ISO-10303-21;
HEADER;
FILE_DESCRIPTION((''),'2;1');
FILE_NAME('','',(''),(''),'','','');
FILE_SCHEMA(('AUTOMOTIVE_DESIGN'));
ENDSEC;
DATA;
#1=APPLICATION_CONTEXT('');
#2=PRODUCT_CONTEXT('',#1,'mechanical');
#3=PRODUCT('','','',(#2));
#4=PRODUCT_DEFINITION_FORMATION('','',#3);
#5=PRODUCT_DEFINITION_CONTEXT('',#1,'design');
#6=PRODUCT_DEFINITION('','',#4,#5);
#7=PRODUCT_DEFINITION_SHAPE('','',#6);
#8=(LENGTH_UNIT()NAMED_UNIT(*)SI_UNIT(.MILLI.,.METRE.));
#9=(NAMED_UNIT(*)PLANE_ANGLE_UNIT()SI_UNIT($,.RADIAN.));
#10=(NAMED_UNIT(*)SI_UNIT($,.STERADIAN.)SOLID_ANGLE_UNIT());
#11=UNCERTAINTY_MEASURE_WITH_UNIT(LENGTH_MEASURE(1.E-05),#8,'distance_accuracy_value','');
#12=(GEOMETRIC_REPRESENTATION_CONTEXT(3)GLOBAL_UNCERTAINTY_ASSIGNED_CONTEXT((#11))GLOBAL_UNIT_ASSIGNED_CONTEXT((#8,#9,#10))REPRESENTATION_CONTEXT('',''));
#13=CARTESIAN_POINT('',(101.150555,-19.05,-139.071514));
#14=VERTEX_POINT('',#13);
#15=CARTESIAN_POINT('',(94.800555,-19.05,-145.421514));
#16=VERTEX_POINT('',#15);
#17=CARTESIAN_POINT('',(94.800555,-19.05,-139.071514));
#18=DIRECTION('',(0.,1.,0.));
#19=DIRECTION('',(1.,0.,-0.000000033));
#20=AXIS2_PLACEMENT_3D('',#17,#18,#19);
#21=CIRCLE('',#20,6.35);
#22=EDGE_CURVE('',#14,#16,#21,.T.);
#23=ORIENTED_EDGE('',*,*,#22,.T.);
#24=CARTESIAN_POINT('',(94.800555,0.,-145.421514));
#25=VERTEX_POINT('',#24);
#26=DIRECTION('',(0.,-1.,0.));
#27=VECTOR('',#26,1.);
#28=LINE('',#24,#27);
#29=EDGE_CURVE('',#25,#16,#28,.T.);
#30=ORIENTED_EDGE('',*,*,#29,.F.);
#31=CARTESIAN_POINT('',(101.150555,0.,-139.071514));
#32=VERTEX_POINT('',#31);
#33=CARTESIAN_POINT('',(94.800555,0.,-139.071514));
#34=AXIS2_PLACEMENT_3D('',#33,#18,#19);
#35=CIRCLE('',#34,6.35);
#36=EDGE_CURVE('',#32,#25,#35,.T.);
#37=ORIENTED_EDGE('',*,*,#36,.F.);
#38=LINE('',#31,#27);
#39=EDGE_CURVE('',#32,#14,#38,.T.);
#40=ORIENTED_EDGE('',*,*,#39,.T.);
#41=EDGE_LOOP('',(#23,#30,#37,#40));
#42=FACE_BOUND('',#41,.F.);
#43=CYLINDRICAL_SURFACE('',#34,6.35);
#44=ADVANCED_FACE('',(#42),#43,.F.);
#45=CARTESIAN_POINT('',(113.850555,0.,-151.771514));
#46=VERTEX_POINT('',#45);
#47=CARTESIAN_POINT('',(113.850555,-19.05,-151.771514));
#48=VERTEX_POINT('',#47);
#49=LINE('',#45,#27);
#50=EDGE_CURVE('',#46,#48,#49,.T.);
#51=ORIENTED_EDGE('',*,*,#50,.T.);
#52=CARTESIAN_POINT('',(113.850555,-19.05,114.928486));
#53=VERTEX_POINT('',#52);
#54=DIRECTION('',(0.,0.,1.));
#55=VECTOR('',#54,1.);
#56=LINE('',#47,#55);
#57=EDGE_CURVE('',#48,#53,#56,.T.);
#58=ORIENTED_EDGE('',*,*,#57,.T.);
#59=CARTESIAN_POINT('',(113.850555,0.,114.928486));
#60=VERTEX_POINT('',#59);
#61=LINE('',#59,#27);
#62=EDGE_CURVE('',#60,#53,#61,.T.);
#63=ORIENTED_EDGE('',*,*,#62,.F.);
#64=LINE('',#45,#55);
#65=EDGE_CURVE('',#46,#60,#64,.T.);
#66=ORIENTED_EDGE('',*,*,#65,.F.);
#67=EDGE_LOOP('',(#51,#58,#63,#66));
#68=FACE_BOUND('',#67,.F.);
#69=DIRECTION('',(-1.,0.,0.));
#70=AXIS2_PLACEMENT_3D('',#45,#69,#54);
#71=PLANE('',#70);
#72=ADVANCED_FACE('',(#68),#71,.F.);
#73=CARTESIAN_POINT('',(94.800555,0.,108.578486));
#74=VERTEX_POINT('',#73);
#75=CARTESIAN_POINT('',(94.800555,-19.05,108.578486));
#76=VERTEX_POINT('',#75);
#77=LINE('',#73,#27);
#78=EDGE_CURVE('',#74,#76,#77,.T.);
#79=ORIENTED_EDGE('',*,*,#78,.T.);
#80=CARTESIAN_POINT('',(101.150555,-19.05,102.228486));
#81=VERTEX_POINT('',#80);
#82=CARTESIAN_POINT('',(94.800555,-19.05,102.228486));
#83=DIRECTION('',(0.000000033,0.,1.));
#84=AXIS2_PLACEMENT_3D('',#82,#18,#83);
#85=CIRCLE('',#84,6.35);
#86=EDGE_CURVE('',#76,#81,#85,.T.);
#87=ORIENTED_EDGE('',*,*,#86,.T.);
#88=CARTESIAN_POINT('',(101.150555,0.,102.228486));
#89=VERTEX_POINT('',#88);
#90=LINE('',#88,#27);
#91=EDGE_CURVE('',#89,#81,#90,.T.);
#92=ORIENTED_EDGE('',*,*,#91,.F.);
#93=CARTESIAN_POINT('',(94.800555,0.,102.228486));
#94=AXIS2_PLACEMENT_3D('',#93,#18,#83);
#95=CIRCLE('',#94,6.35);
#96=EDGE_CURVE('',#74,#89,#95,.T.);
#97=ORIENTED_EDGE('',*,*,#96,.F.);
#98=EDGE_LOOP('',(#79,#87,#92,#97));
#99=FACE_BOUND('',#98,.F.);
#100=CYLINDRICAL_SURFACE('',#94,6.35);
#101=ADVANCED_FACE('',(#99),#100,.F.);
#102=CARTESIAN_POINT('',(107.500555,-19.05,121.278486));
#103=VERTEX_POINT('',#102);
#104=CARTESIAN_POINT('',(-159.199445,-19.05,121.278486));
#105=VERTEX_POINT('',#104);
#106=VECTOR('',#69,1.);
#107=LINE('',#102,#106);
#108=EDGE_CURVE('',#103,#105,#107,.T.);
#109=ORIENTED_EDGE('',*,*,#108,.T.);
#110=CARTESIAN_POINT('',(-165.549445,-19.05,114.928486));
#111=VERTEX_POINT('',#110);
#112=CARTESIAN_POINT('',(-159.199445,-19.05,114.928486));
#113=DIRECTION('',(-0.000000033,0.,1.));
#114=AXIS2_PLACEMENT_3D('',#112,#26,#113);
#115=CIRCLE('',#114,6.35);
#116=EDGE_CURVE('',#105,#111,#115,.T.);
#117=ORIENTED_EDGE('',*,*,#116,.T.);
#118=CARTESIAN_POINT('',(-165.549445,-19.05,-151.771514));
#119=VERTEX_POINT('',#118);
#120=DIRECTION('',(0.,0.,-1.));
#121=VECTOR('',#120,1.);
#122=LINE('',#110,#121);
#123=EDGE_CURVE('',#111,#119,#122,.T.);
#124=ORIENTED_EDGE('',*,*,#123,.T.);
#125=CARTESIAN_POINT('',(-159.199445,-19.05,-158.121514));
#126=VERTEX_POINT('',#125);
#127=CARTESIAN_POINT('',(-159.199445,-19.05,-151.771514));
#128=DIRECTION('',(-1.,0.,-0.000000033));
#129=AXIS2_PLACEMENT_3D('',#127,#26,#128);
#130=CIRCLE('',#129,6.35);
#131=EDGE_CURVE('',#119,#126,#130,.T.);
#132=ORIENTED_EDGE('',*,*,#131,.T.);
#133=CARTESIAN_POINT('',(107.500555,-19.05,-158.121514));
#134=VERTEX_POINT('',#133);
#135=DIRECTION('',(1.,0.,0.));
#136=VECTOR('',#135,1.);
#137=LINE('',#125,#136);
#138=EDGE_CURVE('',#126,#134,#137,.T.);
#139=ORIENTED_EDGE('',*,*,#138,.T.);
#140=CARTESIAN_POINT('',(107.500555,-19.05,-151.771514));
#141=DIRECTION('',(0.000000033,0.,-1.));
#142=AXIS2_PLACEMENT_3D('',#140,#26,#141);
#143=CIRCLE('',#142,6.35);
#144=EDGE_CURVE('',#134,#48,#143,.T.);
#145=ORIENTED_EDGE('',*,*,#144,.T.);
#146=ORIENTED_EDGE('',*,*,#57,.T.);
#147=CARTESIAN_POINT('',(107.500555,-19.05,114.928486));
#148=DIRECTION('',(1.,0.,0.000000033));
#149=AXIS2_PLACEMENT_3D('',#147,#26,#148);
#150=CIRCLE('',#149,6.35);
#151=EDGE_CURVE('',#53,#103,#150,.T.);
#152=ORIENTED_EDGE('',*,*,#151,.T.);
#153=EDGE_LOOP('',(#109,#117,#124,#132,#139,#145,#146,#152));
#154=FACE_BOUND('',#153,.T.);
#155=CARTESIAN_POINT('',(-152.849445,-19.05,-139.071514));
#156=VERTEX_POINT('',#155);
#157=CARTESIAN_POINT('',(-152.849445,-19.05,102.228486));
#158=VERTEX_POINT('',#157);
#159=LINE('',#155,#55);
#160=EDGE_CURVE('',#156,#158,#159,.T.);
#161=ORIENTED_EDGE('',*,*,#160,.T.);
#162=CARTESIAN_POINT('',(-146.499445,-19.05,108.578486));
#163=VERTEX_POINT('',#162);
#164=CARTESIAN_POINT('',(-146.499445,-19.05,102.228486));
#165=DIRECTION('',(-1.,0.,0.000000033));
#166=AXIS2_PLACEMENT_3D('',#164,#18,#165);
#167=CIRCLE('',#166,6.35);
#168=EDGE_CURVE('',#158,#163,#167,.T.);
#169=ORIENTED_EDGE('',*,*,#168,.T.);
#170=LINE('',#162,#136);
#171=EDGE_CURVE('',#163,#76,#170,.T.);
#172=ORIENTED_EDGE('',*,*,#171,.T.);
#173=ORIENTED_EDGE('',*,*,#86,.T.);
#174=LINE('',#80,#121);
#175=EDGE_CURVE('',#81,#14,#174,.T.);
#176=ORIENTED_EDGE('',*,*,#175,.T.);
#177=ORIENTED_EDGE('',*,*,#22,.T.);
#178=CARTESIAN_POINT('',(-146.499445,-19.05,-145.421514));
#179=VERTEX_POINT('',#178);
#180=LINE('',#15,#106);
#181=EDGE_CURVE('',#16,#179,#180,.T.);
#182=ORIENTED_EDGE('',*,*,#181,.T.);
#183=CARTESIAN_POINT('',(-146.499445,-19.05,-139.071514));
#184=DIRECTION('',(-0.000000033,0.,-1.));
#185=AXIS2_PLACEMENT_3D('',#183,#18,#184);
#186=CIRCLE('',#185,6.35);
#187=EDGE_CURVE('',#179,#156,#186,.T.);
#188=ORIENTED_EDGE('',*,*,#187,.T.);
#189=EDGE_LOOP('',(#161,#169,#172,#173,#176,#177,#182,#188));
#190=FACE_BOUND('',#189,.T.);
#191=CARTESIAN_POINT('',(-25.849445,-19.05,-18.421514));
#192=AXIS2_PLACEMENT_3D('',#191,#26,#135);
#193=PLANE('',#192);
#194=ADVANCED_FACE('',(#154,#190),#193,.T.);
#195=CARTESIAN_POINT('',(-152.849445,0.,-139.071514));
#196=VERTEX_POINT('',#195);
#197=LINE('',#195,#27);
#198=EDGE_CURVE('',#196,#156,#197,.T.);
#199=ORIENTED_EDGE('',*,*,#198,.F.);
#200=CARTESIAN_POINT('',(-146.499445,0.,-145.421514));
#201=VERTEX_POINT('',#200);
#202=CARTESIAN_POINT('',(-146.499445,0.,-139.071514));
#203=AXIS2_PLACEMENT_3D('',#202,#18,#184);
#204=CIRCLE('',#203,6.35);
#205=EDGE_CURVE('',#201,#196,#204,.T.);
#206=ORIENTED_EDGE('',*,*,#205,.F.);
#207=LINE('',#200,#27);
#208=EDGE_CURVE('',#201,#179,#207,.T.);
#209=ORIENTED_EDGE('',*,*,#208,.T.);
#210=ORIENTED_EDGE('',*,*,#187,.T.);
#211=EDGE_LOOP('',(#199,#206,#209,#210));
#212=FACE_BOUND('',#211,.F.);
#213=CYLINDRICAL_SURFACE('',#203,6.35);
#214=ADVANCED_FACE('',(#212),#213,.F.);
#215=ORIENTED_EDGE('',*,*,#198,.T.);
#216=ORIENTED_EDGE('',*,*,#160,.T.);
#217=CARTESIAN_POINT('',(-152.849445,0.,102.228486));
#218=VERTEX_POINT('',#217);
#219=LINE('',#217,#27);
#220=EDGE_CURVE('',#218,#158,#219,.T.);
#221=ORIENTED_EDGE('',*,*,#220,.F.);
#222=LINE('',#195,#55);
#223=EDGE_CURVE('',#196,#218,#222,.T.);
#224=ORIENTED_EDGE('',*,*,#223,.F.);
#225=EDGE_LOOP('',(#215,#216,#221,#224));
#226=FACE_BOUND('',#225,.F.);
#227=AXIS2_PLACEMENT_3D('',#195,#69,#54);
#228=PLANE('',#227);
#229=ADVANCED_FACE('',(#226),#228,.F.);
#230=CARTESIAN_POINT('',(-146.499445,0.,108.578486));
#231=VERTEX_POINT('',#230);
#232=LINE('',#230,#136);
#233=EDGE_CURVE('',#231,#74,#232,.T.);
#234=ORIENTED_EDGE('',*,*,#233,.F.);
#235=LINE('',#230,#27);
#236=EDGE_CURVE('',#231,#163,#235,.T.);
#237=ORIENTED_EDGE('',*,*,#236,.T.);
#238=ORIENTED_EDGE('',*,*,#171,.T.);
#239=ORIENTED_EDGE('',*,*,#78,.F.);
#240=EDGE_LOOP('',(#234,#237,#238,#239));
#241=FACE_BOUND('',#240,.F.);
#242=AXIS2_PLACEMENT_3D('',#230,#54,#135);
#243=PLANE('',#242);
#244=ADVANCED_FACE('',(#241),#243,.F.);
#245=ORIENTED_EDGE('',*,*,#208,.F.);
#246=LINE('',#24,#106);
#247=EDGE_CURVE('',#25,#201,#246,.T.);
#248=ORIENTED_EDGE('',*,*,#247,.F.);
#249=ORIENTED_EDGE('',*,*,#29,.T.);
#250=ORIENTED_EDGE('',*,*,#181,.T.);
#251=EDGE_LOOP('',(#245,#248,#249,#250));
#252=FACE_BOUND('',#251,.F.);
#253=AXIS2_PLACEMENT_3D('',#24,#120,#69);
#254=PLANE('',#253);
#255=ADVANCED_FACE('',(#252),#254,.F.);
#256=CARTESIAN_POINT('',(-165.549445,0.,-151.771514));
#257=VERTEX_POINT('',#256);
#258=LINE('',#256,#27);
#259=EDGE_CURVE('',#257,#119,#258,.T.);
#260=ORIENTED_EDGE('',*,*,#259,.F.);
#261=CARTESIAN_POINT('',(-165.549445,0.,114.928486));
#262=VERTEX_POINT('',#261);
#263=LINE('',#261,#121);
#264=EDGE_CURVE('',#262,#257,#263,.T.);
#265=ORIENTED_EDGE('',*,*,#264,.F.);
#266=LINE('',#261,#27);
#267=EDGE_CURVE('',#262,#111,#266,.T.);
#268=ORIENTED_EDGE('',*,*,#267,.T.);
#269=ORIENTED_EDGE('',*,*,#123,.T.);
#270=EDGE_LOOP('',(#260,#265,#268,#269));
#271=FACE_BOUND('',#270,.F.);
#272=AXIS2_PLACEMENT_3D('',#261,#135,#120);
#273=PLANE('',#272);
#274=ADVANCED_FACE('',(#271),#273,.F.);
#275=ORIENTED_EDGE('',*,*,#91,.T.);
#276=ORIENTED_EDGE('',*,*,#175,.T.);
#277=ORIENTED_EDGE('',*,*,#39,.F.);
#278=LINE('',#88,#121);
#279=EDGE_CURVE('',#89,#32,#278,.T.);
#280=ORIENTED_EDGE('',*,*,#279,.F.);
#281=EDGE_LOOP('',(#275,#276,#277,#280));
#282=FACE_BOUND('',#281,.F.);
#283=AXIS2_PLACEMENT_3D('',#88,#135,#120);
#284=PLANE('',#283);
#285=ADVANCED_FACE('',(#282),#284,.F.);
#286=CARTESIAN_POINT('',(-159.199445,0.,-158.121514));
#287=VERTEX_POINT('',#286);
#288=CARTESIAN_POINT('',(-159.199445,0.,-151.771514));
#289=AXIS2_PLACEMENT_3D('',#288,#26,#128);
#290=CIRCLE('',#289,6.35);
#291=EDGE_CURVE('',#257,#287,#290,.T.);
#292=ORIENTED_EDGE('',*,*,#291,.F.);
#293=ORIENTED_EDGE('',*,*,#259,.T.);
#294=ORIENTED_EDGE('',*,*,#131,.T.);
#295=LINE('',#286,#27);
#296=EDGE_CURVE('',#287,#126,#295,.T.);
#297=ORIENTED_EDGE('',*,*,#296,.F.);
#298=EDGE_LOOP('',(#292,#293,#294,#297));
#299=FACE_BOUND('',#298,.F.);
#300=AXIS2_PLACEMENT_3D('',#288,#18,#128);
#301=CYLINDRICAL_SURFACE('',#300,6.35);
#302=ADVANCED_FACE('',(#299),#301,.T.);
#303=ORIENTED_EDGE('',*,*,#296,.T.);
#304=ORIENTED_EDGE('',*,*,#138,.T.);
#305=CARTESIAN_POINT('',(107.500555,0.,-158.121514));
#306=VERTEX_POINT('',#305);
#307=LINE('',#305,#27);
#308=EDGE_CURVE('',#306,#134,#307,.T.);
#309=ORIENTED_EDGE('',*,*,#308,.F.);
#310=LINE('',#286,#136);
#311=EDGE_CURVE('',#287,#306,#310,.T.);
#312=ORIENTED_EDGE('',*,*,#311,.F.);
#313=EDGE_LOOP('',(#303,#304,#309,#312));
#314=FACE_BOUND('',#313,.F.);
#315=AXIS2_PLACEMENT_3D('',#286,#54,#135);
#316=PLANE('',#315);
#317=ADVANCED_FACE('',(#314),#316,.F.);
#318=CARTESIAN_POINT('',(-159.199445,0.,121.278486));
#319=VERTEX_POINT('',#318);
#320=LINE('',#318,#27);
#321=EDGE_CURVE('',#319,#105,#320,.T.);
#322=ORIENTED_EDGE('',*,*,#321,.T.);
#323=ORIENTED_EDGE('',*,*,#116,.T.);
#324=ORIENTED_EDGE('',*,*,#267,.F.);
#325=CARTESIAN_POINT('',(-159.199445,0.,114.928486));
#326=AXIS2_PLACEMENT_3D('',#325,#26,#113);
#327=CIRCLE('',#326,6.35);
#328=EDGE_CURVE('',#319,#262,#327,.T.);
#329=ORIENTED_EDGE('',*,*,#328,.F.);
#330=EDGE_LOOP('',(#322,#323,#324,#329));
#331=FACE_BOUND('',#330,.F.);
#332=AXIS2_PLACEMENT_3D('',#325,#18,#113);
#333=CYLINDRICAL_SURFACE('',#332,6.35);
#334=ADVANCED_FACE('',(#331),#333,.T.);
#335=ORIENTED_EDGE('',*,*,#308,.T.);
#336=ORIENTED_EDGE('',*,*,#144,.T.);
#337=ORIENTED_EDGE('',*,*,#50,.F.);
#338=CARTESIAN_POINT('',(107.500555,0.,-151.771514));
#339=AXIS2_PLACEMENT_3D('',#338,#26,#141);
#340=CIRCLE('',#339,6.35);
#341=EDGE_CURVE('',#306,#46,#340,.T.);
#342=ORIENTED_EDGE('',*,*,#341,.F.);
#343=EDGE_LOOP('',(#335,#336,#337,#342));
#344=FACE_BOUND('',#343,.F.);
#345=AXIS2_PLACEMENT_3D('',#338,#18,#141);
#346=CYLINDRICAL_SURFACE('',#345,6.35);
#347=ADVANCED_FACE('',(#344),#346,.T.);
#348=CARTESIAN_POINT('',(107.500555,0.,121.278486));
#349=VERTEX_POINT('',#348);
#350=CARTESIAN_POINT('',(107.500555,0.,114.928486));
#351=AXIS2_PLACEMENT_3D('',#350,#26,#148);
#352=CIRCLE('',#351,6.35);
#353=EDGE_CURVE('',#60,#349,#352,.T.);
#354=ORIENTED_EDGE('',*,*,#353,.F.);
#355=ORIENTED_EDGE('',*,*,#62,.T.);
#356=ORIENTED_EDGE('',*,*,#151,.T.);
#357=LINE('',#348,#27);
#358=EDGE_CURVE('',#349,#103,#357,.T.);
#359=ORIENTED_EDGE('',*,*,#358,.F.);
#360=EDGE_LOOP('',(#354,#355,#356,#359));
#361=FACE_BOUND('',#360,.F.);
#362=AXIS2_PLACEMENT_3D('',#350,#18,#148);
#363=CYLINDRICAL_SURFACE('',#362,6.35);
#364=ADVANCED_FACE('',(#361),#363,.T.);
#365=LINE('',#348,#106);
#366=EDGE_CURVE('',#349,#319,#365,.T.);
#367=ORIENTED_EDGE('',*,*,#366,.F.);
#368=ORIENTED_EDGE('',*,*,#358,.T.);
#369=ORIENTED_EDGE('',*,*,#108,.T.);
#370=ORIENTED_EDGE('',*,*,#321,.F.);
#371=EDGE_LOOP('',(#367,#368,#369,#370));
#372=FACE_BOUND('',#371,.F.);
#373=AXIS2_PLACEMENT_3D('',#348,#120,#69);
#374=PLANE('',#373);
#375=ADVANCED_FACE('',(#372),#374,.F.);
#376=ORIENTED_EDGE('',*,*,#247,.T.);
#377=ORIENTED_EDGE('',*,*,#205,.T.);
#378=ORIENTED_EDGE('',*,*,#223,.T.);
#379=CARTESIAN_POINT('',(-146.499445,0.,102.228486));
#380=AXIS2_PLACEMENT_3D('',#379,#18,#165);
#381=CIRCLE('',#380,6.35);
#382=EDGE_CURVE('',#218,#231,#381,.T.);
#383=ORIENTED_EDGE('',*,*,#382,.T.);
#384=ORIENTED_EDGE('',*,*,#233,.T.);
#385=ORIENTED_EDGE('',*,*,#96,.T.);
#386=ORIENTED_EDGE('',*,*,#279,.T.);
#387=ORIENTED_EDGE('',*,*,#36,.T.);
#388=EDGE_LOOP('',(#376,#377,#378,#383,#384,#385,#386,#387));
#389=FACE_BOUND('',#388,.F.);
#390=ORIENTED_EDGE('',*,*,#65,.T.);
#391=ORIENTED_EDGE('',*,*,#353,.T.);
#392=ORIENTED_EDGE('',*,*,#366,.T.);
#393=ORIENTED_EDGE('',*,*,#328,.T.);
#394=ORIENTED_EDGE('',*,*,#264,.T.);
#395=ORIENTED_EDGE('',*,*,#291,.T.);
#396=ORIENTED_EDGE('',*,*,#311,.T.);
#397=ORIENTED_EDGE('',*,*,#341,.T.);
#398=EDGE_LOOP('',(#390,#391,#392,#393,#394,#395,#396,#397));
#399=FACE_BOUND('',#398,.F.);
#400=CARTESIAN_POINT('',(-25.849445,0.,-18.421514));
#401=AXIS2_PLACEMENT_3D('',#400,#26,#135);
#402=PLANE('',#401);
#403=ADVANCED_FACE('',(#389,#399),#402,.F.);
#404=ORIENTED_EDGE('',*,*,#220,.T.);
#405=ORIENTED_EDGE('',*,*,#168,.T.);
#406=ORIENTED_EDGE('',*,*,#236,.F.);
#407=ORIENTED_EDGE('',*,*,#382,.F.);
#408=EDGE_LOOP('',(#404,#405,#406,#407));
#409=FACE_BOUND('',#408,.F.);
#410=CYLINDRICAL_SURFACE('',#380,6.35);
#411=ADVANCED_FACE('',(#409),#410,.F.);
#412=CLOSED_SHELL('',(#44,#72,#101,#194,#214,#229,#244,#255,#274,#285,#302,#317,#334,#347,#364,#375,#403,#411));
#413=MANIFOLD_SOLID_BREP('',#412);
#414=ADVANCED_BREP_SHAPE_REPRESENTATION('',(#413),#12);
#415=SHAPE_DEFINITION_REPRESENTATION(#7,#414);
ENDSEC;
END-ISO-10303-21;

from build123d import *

# Parameters (mm, degrees)
F1_DEPTH = 19.05


with BuildPart() as f1:
    # F0 (on Front) → F1 (new body)
    with BuildSketch(Plane.XZ):
        with BuildLine():
            Line((-159.199445, -158.121514), (107.500555, -158.121514))
            ThreePointArc((107.500555, -158.121514), (111.990683, -156.261642), (113.850555, -151.771514))
            Line((113.850555, -151.771514), (113.850555, 114.928486))
            ThreePointArc((113.850555, 114.928486), (111.990683, 119.418614), (107.500555, 121.278486))
            Line((107.500555, 121.278486), (-159.199445, 121.278486))
            ThreePointArc((-159.199445, 121.278486), (-163.689573, 119.418614), (-165.549445, 114.928486))
            Line((-165.549445, 114.928486), (-165.549445, -151.771514))
            ThreePointArc((-165.549445, -151.771514), (-163.689573, -156.261642), (-159.199445, -158.121514))
        make_face()
        with BuildLine():
            Line((-121.099445, -145.421514), (-146.499445, -145.421514))
            ThreePointArc((-146.499445, -145.421514), (-150.989573, -143.561642), (-152.849445, -139.071514))
            Line((-152.849445, -139.071514), (-152.849445, -113.671514))
            Line((-152.849445, -113.671514), (-152.849445, -81.921514))
            Line((-152.849445, -81.921514), (-152.849445, -50.171514))
            Line((-152.849445, -50.171514), (-152.849445, -18.421514))
            Line((-152.849445, -18.421514), (-152.849445, 13.328486))
            Line((-152.849445, 13.328486), (-152.849445, 45.078486))
            Line((-152.849445, 45.078486), (-152.849445, 76.828486))
            Line((-152.849445, 76.828486), (-152.849445, 102.228486))
            ThreePointArc((-152.849445, 102.228486), (-150.989573, 106.718614), (-146.499445, 108.578486))
            Line((-146.499445, 108.578486), (-121.099445, 108.578486))
            Line((-121.099445, 108.578486), (-89.349445, 108.578486))
            Line((-89.349445, 108.578486), (-57.599445, 108.578486))
            Line((-57.599445, 108.578486), (-25.849445, 108.578486))
            Line((-25.849445, 108.578486), (5.900555, 108.578486))
            Line((5.900555, 108.578486), (37.650555, 108.578486))
            Line((37.650555, 108.578486), (69.400555, 108.578486))
            Line((69.400555, 108.578486), (94.800555, 108.578486))
            ThreePointArc((94.800555, 108.578486), (99.290683, 106.718614), (101.150555, 102.228486))
            Line((101.150555, 102.228486), (101.150555, 76.828486))
            Line((101.150555, 76.828486), (101.150555, 45.078486))
            Line((101.150555, 45.078486), (101.150555, 13.328486))
            Line((101.150555, 13.328486), (101.150555, -18.421514))
            Line((101.150555, -18.421514), (101.150555, -50.171514))
            Line((101.150555, -50.171514), (101.150555, -81.921514))
            Line((101.150555, -81.921514), (101.150555, -113.671514))
            Line((101.150555, -113.671514), (101.150555, -139.071514))
            ThreePointArc((101.150555, -139.071514), (99.290683, -143.561642), (94.800555, -145.421514))
            Line((94.800555, -145.421514), (69.400555, -145.421514))
            Line((69.400555, -145.421514), (37.650555, -145.421514))
            Line((37.650555, -145.421514), (5.900555, -145.421514))
            Line((5.900555, -145.421514), (-25.849445, -145.421514))
            Line((-25.849445, -145.421514), (-57.599445, -145.421514))
            Line((-57.599445, -145.421514), (-89.349445, -145.421514))
            Line((-89.349445, -145.421514), (-121.099445, -145.421514))
        make_face(mode=Mode.SUBTRACT)
    extrude(amount=F1_DEPTH)


solid = f1.part
